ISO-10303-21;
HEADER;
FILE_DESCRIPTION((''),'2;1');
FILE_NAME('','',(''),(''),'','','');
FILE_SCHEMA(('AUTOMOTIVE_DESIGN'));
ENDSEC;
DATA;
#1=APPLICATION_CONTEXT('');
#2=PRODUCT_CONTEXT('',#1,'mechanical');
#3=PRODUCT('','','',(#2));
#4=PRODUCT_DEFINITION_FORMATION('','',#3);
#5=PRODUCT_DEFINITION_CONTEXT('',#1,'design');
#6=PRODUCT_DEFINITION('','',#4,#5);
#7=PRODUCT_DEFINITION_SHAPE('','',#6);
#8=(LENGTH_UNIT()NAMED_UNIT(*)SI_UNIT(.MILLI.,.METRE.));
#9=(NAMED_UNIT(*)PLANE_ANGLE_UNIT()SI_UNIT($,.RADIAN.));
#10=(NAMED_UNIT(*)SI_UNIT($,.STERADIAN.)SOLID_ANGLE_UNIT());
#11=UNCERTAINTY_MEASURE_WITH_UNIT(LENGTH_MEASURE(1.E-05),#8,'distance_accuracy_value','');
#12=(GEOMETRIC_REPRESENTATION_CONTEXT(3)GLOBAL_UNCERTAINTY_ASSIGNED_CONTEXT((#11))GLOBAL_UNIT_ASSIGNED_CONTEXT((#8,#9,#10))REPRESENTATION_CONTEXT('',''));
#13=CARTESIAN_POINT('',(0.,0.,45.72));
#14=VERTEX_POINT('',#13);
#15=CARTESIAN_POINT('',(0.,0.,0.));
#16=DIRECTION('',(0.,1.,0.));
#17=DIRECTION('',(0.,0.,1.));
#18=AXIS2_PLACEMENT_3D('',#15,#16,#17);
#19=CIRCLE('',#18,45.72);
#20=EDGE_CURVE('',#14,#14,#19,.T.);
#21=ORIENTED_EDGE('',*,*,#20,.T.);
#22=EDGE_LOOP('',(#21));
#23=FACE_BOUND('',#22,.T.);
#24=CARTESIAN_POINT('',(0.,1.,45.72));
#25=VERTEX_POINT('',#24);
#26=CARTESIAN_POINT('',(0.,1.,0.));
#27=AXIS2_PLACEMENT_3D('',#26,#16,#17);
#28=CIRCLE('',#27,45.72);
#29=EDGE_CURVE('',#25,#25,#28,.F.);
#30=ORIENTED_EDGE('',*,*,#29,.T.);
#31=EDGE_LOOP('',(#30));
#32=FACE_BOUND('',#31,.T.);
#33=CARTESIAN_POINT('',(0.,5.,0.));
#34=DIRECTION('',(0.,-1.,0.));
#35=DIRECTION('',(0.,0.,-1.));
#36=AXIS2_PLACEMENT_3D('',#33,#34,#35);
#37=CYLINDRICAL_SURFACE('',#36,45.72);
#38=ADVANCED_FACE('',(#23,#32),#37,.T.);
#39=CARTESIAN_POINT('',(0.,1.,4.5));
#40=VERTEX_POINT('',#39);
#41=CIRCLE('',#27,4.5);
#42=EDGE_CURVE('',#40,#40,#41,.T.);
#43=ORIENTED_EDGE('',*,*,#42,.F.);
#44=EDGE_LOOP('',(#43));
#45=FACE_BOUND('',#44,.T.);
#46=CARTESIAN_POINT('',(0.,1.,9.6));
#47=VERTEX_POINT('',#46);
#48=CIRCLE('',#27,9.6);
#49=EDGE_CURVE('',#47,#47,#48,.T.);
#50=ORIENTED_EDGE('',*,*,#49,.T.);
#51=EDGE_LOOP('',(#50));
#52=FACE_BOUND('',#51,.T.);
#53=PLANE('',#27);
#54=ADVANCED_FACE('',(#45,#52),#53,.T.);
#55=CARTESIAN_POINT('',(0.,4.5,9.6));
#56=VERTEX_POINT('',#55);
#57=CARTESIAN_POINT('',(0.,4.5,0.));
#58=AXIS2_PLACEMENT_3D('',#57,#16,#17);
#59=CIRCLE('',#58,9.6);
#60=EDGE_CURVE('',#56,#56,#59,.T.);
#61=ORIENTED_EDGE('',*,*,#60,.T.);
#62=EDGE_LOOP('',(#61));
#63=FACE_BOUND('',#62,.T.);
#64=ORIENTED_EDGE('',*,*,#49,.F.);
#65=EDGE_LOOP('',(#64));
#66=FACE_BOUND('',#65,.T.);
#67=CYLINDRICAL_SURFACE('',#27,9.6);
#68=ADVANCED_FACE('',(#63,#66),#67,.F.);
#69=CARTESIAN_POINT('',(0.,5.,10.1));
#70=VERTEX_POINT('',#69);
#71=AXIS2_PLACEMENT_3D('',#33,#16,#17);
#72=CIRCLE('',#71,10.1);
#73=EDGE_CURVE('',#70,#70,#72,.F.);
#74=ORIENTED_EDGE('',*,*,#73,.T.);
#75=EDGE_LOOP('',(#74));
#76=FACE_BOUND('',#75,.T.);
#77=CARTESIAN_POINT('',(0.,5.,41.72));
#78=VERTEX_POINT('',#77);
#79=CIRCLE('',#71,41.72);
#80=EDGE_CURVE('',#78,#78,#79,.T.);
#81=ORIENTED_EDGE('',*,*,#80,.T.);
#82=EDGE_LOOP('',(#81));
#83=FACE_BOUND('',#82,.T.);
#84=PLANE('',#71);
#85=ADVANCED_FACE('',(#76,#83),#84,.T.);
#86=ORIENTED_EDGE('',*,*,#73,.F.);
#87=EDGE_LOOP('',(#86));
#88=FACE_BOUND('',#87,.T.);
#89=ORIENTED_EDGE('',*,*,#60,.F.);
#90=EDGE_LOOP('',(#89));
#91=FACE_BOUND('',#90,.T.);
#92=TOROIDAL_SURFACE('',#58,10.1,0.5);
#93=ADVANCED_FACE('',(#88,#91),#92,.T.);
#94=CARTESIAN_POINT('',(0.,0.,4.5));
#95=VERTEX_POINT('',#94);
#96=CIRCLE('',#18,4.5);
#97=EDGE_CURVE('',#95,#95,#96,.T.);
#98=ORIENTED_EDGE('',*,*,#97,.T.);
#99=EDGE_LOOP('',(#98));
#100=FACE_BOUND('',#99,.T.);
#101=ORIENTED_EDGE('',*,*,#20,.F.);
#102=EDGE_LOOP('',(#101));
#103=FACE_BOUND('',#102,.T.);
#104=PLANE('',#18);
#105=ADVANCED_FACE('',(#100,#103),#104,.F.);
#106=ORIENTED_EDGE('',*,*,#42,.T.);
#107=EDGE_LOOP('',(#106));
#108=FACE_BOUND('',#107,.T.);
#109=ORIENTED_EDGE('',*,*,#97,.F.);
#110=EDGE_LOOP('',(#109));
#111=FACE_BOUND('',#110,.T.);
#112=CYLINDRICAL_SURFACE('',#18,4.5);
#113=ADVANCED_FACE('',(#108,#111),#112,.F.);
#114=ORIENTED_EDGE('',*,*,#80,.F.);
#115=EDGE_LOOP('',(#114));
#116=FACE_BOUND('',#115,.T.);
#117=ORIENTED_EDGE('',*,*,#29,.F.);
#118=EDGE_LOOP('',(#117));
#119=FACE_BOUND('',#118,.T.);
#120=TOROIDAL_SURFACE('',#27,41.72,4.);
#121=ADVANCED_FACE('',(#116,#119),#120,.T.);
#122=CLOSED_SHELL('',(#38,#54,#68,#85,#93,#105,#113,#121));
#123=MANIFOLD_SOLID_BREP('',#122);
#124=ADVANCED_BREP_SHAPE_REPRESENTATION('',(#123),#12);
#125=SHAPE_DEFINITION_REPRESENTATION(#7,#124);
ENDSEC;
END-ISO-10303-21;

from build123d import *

# Parameters (mm, degrees)
SKETCH1_R           = 45.72
BOSS_EXTRUDE1_DEPTH = 5
SKETCH2_R           = 9.6
SKETCH2_R_2         = 4.5
CUT_EXTRUDE1_DEPTH  = 4
SKETCH3_R           = 4.5
CUT_EXTRUDE2_DEPTH  = 65.781454136
FILLET1_R           = 4
FILLET2_R           = 0.5


with BuildPart() as part:
    # Sketch1 → Boss-Extrude1 (new body)
    with BuildSketch(Plane(origin=(0, 0, 0), x_dir=(1, 0, 0), z_dir=(0, 1, 0))):
        with Locations(Location((0, 0, 0), (0, 0, 270))):
            Circle(SKETCH1_R)
    extrude(amount=BOSS_EXTRUDE1_DEPTH)

    # Sketch2 → Cut-Extrude1 (cut)
    # profile 1 of 2: a face of its own
    with BuildSketch(Plane(origin=(0, 5, 0), x_dir=(1, 0, 0), z_dir=(0, 1, 0))):
        with Locations(Location((0, 0, 0), (0, 0, 270))):
            Circle(SKETCH2_R)
        Circle(SKETCH2_R_2, mode=Mode.SUBTRACT)
    # profile 2 of 2: a face of its own
    with BuildSketch(Plane(origin=(0, 5, 0), x_dir=(1, 0, 0), z_dir=(0, 1, 0))):
        Circle(SKETCH2_R_2)
    extrude(amount=-CUT_EXTRUDE1_DEPTH, mode=Mode.SUBTRACT)

    # Sketch3 → Cut-Extrude2 (cut, through all)
    with BuildSketch(Plane(origin=(0, 1, 0), x_dir=(1, 0, 0), z_dir=(0, 1, 0))):
        with Locations(Location((0, 0, 0), (0, 0, 270))):
            Circle(SKETCH3_R)
    extrude(amount=-CUT_EXTRUDE2_DEPTH, mode=Mode.SUBTRACT)

    # Fillet1
    fillet1_edges = [part.edges().sort_by_distance(p)[0] for p in [
        (0, 5, -45.72),
    ]]
    fillet(fillet1_edges, radius=FILLET1_R)

    # Fillet2
    fillet2_edges = [part.edges().sort_by_distance(p)[0] for p in [
        (0, 5, -9.6),
    ]]
    fillet(fillet2_edges, radius=FILLET2_R)


solid = part.part
